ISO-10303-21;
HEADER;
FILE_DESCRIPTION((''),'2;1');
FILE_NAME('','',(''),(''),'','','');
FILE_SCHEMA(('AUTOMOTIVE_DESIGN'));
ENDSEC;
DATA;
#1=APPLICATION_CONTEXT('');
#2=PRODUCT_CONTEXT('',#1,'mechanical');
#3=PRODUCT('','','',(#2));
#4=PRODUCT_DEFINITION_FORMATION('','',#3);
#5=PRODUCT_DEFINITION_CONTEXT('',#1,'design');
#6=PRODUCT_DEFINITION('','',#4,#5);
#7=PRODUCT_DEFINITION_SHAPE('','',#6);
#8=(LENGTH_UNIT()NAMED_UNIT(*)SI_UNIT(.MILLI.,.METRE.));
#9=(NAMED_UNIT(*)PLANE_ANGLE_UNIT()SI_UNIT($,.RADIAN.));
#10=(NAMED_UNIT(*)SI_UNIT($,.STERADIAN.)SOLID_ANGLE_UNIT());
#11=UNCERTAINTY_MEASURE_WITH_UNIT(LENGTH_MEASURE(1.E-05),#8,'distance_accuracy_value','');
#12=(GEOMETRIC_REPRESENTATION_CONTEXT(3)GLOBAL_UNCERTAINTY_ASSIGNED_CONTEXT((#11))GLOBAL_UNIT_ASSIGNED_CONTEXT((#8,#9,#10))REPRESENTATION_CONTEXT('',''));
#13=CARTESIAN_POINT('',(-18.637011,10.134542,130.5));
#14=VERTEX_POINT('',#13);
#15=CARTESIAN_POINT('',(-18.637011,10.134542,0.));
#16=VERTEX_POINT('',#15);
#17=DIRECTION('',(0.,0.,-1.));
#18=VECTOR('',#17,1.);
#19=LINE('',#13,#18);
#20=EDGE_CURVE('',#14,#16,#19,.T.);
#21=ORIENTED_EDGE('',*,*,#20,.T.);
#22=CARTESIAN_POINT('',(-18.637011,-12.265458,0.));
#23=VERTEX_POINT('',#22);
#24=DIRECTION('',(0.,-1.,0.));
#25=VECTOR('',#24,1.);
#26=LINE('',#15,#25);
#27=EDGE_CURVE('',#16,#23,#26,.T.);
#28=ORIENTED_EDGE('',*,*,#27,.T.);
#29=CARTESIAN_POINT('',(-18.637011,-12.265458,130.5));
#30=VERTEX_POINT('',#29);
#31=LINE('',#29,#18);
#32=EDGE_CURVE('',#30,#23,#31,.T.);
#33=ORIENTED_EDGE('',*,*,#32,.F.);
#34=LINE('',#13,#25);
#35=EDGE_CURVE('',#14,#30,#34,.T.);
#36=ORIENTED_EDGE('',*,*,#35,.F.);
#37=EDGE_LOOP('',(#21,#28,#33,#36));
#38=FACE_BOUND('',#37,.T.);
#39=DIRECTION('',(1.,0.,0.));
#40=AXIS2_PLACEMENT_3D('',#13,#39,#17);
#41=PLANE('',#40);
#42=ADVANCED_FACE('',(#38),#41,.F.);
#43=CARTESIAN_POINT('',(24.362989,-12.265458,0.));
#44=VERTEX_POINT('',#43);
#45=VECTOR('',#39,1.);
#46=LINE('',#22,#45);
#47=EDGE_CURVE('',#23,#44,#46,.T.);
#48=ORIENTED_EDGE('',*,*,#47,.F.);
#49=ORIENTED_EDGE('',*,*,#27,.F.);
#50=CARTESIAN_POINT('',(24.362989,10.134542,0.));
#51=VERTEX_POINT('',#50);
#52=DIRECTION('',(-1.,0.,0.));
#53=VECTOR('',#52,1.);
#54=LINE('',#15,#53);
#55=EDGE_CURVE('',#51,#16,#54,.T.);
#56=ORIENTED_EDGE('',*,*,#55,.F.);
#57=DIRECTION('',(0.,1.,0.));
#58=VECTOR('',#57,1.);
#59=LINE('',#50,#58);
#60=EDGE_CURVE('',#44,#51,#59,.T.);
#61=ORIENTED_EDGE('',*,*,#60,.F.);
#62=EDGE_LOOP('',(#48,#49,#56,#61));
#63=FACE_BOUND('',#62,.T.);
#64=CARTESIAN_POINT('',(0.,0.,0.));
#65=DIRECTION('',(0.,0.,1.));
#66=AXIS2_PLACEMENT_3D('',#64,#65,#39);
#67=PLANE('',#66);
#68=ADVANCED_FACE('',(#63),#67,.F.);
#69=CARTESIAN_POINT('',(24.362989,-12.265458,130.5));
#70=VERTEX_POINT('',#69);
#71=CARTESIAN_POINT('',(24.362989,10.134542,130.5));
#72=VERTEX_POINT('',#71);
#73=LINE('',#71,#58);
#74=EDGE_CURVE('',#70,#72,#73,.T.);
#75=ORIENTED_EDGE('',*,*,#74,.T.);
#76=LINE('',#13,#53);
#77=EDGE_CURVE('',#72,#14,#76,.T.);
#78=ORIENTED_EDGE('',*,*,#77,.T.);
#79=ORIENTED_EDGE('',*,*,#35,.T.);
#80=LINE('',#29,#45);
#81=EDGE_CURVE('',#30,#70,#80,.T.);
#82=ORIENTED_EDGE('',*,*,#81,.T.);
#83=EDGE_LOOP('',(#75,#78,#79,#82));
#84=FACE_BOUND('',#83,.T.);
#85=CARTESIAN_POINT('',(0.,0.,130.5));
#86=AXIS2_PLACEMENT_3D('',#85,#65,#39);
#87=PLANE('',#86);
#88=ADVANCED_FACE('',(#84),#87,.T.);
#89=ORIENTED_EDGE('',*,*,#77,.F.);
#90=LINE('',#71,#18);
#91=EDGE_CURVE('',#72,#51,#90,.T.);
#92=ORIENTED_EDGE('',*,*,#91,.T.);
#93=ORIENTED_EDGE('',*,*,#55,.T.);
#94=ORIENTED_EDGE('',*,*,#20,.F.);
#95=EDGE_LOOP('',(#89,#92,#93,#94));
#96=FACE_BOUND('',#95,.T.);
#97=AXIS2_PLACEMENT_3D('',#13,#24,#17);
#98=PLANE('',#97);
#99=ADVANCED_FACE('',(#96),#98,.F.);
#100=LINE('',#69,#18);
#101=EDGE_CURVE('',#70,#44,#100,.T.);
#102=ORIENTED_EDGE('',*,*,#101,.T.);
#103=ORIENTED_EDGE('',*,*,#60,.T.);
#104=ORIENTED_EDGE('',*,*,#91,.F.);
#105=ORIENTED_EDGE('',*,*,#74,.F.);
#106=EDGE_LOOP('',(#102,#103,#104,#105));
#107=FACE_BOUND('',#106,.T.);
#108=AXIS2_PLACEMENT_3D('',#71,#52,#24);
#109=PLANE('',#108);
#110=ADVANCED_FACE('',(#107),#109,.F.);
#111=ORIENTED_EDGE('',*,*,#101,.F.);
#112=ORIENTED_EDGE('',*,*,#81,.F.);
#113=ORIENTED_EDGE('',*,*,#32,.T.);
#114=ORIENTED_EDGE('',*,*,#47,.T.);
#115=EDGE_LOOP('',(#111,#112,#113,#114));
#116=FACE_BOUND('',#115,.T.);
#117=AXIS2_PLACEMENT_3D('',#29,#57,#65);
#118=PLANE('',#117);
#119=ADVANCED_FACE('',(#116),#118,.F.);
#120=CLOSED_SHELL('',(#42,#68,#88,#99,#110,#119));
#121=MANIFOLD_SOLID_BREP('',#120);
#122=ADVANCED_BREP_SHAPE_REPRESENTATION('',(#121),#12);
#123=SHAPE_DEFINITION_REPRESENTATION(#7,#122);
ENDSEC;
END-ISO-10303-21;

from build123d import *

# Parameters (mm, degrees)
SKETCH_1_W      = 43
SKETCH_1_H      = 22.4
EXTRUDE_1_DEPTH = 130.5


with BuildPart() as part:
    # ｽｹｯﾁ1 → ﾎﾞｽ - 押し出し1 (new body)
    with BuildSketch(Plane.XY):
        with Locations((2.862988704, -1.065458015)):
            Rectangle(SKETCH_1_W, SKETCH_1_H)
    extrude(amount=EXTRUDE_1_DEPTH)


solid = part.part
